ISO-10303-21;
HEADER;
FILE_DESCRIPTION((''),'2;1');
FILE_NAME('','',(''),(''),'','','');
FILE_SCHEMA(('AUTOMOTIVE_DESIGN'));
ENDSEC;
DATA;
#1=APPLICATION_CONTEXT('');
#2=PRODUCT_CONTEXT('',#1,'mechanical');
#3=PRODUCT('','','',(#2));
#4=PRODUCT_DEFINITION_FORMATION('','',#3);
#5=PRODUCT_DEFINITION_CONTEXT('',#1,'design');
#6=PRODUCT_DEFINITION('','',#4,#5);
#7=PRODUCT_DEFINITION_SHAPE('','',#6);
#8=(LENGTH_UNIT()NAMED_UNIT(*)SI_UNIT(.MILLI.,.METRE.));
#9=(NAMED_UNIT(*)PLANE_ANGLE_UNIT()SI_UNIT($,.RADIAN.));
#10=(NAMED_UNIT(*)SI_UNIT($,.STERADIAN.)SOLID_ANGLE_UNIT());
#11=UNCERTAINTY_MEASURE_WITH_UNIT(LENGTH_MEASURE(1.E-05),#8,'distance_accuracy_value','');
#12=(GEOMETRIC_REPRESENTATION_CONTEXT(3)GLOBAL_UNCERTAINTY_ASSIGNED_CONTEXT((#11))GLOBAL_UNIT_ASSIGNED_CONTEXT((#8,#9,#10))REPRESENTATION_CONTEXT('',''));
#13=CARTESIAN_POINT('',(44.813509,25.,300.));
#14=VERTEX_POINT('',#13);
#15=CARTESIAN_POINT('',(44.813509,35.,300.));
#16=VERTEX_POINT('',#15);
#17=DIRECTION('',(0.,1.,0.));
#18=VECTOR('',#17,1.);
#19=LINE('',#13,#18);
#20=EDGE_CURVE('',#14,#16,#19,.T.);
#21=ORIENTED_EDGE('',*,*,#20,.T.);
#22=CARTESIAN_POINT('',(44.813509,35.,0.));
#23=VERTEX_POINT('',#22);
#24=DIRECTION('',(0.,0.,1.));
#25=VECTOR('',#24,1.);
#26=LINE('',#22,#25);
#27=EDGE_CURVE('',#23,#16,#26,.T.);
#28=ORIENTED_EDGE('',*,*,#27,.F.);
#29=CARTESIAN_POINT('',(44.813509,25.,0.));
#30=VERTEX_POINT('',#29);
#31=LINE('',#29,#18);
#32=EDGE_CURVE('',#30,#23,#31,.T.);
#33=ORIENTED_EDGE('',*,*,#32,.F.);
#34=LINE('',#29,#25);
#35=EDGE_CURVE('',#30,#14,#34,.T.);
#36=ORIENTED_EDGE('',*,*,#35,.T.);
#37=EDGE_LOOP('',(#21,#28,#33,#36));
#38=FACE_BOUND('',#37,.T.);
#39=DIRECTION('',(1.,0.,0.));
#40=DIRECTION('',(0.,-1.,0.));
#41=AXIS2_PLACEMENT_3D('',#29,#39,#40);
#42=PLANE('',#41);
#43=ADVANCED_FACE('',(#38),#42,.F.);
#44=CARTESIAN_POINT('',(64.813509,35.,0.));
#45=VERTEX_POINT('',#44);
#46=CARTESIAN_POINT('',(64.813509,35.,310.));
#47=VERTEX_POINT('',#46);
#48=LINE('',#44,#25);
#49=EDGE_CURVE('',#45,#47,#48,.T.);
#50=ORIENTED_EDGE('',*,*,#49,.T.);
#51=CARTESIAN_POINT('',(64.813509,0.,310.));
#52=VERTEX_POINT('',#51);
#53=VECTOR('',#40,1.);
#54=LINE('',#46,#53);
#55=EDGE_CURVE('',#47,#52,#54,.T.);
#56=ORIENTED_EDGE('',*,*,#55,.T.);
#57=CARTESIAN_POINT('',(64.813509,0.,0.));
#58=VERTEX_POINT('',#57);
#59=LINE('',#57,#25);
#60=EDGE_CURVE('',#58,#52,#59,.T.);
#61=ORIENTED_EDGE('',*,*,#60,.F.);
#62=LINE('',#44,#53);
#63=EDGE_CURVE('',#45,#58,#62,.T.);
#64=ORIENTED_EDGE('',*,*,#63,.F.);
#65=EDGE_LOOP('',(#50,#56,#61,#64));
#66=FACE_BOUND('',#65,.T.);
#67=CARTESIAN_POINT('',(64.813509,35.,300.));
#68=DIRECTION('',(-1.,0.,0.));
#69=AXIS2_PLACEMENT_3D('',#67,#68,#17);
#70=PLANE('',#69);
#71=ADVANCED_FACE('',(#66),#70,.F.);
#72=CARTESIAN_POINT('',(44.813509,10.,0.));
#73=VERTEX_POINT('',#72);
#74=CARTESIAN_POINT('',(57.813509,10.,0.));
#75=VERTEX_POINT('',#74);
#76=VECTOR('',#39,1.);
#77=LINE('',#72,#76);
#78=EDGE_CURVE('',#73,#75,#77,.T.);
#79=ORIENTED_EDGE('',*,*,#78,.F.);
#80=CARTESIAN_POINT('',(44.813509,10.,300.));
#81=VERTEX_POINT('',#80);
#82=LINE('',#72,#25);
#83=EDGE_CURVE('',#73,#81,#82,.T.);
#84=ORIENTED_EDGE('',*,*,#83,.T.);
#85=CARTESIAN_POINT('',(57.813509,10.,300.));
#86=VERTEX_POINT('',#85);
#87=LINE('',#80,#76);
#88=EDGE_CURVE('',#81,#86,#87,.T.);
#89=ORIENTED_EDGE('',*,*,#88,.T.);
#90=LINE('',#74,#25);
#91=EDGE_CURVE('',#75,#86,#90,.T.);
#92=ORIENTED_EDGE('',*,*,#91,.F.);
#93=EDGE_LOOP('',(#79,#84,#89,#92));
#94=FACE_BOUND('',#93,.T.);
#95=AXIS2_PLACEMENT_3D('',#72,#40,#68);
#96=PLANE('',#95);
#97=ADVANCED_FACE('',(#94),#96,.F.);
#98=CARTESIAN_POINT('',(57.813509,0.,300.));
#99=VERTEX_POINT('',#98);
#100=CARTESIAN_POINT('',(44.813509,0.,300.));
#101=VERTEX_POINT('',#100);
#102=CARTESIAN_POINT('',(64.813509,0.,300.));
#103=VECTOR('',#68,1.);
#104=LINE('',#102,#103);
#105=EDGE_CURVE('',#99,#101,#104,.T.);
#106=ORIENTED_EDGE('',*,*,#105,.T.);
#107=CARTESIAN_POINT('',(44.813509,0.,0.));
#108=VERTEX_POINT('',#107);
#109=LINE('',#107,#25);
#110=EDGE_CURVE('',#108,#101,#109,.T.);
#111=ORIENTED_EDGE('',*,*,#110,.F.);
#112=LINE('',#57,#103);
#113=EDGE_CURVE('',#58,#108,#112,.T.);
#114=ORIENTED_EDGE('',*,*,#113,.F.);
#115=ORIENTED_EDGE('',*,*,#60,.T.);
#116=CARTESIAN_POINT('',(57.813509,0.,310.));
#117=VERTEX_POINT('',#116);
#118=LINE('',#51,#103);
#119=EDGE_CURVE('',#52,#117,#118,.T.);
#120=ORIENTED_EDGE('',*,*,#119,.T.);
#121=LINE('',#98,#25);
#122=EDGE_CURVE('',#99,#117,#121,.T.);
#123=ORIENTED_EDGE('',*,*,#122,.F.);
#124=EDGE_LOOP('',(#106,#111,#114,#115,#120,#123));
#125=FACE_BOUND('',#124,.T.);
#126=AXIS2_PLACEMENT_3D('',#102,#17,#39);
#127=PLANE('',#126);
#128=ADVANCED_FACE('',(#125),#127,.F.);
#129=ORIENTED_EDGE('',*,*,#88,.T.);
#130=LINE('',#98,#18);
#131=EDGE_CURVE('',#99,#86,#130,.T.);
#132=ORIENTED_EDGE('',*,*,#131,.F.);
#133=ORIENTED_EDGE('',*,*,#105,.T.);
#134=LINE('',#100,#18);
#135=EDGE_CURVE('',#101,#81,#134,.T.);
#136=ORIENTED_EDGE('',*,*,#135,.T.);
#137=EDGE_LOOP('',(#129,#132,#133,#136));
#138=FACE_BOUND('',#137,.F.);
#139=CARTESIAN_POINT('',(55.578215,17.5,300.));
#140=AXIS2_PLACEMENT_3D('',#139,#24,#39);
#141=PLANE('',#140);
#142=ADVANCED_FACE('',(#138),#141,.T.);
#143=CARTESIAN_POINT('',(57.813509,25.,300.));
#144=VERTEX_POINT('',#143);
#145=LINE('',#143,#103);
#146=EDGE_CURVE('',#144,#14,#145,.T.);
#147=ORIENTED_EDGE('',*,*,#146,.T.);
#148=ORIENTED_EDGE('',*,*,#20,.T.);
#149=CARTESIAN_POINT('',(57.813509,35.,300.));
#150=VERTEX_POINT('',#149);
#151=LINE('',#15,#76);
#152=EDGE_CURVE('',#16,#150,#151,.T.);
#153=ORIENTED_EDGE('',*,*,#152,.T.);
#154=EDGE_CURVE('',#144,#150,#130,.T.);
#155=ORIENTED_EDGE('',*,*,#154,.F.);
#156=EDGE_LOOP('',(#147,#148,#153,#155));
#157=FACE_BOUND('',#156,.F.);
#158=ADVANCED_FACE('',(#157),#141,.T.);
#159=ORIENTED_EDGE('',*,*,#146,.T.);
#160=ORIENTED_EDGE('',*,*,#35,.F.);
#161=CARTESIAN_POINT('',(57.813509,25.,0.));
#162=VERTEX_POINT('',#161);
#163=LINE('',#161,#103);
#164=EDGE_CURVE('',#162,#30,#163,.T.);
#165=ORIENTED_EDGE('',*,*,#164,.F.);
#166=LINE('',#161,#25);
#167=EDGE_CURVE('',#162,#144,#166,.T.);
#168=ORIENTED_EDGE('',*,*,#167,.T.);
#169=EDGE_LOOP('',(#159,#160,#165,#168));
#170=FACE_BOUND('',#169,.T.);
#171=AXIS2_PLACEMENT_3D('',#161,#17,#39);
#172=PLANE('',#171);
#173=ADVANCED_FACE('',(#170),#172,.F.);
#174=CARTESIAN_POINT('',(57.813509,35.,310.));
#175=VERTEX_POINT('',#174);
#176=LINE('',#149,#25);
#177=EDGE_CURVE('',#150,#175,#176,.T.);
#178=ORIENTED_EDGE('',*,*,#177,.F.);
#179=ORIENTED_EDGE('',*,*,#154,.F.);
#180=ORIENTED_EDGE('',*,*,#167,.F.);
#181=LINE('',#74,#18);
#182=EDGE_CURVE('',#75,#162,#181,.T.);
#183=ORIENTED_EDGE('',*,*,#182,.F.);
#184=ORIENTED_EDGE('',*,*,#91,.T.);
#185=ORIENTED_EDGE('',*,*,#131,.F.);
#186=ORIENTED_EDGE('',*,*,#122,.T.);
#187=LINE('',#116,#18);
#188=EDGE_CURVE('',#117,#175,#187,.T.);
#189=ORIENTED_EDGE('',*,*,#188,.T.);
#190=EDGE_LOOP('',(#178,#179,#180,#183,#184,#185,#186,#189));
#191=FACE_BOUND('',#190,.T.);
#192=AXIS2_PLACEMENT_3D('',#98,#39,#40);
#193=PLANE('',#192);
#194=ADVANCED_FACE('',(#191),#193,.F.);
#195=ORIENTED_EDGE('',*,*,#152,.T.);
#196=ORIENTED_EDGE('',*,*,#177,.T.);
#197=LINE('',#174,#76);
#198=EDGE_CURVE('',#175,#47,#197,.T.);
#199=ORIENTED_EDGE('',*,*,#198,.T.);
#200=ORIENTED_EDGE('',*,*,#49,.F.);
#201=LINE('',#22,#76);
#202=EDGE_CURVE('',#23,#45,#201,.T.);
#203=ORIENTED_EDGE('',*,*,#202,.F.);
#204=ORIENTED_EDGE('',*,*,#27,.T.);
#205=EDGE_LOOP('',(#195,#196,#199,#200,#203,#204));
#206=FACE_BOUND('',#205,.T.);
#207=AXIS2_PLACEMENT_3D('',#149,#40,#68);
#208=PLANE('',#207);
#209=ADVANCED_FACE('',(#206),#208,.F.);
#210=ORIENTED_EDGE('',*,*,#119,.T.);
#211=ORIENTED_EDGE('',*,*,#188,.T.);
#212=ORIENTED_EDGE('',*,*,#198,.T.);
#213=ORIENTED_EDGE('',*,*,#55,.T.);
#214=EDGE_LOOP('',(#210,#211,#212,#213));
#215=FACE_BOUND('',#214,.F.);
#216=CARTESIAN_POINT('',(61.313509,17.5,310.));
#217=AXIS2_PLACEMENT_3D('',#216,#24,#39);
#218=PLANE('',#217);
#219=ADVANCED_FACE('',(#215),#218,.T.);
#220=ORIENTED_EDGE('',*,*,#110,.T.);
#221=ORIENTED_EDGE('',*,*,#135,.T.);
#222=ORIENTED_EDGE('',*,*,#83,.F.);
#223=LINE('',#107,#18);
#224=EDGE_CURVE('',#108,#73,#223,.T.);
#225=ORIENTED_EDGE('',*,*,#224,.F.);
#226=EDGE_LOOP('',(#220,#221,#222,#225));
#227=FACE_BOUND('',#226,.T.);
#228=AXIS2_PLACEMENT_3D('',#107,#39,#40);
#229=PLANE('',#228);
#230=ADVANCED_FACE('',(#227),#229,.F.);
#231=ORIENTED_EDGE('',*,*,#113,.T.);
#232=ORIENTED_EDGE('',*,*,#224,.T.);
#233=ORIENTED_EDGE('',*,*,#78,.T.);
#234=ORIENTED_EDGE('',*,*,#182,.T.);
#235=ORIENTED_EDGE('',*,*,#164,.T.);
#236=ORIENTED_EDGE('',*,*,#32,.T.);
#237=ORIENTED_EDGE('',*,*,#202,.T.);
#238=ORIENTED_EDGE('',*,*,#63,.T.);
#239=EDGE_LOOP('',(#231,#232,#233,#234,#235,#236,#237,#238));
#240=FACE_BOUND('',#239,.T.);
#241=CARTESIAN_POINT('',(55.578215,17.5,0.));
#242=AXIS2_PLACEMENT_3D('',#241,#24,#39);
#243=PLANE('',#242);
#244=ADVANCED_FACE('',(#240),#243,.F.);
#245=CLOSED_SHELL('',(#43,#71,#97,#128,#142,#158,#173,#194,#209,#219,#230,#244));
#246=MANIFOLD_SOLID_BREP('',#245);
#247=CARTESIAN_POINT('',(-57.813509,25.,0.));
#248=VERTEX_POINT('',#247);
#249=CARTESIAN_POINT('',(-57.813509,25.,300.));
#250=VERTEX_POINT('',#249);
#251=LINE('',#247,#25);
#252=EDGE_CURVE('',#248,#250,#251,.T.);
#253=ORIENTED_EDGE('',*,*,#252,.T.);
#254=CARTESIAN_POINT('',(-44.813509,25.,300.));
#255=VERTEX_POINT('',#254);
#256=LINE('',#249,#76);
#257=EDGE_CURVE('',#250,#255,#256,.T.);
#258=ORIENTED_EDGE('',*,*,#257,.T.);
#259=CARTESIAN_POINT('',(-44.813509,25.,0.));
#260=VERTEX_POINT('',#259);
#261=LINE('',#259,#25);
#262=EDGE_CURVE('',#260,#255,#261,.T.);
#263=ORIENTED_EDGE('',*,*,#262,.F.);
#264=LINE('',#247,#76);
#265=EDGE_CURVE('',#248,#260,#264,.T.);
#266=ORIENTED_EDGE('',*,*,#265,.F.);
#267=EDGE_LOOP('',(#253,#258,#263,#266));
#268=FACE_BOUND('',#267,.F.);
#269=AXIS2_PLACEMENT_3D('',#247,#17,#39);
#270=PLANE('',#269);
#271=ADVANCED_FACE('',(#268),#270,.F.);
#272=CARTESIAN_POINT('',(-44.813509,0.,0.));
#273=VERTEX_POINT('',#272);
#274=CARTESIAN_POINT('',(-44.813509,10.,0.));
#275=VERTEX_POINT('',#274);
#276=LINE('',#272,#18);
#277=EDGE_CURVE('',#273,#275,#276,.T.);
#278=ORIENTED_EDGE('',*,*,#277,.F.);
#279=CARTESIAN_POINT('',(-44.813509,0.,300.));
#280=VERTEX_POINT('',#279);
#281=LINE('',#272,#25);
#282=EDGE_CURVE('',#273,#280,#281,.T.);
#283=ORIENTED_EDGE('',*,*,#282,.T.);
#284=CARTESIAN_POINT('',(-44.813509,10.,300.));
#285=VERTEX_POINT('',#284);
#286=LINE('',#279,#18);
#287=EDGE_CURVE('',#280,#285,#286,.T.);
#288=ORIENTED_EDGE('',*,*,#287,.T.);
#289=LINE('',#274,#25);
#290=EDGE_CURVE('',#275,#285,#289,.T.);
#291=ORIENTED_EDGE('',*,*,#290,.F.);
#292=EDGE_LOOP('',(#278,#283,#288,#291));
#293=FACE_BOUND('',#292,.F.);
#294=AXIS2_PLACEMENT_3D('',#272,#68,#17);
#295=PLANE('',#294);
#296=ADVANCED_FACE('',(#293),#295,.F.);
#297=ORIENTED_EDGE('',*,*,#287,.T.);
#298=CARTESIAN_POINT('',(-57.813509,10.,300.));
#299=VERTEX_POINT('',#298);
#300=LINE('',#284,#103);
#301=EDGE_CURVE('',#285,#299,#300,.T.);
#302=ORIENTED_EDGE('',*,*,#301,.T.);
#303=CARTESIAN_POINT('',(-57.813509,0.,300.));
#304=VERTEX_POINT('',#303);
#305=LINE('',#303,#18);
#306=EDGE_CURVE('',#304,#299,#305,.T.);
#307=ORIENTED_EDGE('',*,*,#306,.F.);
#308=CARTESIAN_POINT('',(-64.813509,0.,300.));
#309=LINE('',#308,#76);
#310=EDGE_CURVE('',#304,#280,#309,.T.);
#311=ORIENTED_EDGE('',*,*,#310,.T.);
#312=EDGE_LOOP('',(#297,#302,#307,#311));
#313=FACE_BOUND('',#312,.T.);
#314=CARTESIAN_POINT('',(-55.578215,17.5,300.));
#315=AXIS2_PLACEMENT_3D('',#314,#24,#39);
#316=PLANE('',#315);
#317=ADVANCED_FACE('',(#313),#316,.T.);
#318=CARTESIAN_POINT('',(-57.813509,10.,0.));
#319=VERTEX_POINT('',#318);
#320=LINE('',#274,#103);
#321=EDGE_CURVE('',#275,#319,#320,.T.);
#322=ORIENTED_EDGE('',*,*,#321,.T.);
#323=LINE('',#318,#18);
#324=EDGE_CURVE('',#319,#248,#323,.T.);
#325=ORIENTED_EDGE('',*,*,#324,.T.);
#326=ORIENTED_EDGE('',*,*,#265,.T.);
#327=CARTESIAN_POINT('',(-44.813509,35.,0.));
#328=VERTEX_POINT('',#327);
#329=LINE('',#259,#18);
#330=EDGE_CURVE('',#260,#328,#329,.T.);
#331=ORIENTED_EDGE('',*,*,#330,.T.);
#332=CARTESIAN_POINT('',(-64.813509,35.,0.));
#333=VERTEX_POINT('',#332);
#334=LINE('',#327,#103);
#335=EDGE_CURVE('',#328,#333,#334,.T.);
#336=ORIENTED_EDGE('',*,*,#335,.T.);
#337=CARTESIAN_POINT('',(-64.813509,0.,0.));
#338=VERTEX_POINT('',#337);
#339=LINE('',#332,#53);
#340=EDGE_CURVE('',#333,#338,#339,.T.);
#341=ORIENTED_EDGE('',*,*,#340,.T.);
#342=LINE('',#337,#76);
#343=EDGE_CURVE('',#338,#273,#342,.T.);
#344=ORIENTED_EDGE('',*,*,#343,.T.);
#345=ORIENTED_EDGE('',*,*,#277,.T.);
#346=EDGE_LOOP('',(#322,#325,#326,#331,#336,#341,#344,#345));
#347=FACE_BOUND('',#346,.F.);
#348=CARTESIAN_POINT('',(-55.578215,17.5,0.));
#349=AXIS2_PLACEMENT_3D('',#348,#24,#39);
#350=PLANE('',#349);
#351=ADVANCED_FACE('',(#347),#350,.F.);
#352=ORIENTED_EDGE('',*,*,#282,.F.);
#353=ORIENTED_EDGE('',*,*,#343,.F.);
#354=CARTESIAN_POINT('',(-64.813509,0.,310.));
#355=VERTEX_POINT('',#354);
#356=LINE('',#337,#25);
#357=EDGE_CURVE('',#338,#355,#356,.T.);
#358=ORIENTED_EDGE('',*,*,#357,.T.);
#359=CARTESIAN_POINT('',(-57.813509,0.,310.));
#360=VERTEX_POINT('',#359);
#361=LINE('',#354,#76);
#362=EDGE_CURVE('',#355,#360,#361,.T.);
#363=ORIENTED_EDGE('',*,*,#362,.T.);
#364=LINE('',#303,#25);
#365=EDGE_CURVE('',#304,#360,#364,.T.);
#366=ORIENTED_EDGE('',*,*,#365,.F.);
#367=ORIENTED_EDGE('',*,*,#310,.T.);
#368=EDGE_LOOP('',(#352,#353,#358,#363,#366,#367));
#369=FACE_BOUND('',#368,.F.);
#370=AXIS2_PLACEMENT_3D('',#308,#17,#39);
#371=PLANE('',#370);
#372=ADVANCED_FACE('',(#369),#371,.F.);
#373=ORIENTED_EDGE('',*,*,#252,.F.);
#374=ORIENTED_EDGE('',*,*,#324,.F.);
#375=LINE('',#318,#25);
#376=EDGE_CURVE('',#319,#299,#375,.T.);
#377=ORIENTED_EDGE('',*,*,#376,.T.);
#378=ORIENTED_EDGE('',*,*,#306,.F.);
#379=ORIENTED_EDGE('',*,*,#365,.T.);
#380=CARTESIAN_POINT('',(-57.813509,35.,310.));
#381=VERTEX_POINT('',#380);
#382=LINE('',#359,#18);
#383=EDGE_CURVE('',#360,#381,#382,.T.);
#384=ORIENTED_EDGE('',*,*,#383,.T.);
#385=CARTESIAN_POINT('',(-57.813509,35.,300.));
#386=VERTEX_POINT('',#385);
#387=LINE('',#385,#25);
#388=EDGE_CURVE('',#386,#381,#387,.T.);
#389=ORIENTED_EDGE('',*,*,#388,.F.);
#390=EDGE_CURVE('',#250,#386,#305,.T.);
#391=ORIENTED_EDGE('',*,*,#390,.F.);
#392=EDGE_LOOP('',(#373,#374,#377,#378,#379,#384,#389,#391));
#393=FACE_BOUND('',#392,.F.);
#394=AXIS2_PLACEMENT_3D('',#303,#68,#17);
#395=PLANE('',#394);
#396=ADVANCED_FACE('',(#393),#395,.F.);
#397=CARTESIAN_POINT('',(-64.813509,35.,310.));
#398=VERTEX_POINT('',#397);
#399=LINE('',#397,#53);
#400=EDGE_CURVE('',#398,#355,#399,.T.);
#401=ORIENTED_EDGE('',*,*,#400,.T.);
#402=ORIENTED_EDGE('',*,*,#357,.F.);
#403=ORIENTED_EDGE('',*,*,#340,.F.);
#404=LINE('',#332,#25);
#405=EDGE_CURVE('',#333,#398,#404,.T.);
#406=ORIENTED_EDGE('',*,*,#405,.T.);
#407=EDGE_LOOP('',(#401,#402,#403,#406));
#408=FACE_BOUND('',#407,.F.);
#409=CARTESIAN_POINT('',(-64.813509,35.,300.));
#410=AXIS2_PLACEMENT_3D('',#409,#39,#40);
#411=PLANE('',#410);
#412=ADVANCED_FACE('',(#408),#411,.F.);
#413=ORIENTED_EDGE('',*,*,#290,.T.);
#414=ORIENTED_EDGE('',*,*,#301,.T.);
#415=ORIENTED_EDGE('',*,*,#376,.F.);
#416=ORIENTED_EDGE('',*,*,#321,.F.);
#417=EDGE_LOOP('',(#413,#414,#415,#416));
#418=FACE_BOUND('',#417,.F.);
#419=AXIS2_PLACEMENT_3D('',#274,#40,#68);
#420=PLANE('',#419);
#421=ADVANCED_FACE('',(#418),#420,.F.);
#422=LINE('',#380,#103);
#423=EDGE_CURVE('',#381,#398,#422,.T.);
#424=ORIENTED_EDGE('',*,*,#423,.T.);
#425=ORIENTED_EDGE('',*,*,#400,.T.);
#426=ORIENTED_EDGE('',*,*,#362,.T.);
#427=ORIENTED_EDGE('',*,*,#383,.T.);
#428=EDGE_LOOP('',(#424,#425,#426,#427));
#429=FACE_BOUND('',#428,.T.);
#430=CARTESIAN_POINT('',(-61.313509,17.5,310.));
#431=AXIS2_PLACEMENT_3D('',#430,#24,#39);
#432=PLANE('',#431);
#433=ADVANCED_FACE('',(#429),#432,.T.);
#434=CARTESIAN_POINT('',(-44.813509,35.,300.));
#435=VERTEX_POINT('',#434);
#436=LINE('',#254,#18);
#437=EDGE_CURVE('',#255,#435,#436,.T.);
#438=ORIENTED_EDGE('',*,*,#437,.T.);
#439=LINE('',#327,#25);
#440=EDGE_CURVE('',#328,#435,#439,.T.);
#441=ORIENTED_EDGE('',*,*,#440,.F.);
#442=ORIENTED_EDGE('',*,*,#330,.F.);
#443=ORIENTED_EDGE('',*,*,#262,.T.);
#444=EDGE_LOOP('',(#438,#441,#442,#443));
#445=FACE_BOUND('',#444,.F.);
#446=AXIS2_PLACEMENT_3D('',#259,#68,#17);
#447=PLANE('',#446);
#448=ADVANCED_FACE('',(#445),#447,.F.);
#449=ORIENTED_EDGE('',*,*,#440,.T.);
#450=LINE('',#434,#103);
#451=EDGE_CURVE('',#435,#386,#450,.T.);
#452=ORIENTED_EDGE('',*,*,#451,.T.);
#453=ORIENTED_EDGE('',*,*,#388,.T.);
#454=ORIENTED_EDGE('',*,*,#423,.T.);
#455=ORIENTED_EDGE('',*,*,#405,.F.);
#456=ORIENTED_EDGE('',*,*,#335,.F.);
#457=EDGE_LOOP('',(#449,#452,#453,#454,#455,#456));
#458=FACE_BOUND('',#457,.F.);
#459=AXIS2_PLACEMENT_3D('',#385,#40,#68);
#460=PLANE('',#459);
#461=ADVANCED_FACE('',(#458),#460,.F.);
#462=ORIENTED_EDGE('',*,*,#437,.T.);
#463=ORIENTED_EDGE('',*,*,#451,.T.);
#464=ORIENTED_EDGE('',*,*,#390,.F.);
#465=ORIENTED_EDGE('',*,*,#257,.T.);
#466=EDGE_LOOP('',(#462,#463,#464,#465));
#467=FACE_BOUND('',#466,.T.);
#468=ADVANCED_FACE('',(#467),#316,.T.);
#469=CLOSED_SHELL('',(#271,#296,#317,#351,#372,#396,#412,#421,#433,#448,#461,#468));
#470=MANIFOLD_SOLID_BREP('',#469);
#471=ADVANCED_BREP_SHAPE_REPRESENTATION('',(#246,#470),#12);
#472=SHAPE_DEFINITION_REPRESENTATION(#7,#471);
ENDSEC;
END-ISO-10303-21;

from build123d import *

# Parameters (mm, degrees)
F1_DEPTH = 300
F3_DEPTH = 10


with BuildPart() as f1:
    # F0 (on Top) → F1 (new body)
    with BuildSketch(Plane.XY):
        Polygon((-64.813509, 0), (-44.813509, 0), (-44.813509, 10), (-57.813509, 10), (-57.813509, 25), (-44.813509, 25), (-44.813509, 35), (-64.813509, 35), align=None)
    extrude(amount=F1_DEPTH)

    # F2 (on face) → F3 (join)
    with BuildSketch(Plane.XY.offset(300)):
        Polygon((-57.813509, 10), (-57.813509, 25), (-57.813509, 35), (-64.813509, 35), (-64.813509, 0), (-57.813509, 0), align=None)
    extrude(amount=F3_DEPTH)


with BuildPart() as f4_1:
    # F4: instance of F1
    add(f1.part.mirror(Plane.YZ))


solid = Compound([f1.part, f4_1.part])
